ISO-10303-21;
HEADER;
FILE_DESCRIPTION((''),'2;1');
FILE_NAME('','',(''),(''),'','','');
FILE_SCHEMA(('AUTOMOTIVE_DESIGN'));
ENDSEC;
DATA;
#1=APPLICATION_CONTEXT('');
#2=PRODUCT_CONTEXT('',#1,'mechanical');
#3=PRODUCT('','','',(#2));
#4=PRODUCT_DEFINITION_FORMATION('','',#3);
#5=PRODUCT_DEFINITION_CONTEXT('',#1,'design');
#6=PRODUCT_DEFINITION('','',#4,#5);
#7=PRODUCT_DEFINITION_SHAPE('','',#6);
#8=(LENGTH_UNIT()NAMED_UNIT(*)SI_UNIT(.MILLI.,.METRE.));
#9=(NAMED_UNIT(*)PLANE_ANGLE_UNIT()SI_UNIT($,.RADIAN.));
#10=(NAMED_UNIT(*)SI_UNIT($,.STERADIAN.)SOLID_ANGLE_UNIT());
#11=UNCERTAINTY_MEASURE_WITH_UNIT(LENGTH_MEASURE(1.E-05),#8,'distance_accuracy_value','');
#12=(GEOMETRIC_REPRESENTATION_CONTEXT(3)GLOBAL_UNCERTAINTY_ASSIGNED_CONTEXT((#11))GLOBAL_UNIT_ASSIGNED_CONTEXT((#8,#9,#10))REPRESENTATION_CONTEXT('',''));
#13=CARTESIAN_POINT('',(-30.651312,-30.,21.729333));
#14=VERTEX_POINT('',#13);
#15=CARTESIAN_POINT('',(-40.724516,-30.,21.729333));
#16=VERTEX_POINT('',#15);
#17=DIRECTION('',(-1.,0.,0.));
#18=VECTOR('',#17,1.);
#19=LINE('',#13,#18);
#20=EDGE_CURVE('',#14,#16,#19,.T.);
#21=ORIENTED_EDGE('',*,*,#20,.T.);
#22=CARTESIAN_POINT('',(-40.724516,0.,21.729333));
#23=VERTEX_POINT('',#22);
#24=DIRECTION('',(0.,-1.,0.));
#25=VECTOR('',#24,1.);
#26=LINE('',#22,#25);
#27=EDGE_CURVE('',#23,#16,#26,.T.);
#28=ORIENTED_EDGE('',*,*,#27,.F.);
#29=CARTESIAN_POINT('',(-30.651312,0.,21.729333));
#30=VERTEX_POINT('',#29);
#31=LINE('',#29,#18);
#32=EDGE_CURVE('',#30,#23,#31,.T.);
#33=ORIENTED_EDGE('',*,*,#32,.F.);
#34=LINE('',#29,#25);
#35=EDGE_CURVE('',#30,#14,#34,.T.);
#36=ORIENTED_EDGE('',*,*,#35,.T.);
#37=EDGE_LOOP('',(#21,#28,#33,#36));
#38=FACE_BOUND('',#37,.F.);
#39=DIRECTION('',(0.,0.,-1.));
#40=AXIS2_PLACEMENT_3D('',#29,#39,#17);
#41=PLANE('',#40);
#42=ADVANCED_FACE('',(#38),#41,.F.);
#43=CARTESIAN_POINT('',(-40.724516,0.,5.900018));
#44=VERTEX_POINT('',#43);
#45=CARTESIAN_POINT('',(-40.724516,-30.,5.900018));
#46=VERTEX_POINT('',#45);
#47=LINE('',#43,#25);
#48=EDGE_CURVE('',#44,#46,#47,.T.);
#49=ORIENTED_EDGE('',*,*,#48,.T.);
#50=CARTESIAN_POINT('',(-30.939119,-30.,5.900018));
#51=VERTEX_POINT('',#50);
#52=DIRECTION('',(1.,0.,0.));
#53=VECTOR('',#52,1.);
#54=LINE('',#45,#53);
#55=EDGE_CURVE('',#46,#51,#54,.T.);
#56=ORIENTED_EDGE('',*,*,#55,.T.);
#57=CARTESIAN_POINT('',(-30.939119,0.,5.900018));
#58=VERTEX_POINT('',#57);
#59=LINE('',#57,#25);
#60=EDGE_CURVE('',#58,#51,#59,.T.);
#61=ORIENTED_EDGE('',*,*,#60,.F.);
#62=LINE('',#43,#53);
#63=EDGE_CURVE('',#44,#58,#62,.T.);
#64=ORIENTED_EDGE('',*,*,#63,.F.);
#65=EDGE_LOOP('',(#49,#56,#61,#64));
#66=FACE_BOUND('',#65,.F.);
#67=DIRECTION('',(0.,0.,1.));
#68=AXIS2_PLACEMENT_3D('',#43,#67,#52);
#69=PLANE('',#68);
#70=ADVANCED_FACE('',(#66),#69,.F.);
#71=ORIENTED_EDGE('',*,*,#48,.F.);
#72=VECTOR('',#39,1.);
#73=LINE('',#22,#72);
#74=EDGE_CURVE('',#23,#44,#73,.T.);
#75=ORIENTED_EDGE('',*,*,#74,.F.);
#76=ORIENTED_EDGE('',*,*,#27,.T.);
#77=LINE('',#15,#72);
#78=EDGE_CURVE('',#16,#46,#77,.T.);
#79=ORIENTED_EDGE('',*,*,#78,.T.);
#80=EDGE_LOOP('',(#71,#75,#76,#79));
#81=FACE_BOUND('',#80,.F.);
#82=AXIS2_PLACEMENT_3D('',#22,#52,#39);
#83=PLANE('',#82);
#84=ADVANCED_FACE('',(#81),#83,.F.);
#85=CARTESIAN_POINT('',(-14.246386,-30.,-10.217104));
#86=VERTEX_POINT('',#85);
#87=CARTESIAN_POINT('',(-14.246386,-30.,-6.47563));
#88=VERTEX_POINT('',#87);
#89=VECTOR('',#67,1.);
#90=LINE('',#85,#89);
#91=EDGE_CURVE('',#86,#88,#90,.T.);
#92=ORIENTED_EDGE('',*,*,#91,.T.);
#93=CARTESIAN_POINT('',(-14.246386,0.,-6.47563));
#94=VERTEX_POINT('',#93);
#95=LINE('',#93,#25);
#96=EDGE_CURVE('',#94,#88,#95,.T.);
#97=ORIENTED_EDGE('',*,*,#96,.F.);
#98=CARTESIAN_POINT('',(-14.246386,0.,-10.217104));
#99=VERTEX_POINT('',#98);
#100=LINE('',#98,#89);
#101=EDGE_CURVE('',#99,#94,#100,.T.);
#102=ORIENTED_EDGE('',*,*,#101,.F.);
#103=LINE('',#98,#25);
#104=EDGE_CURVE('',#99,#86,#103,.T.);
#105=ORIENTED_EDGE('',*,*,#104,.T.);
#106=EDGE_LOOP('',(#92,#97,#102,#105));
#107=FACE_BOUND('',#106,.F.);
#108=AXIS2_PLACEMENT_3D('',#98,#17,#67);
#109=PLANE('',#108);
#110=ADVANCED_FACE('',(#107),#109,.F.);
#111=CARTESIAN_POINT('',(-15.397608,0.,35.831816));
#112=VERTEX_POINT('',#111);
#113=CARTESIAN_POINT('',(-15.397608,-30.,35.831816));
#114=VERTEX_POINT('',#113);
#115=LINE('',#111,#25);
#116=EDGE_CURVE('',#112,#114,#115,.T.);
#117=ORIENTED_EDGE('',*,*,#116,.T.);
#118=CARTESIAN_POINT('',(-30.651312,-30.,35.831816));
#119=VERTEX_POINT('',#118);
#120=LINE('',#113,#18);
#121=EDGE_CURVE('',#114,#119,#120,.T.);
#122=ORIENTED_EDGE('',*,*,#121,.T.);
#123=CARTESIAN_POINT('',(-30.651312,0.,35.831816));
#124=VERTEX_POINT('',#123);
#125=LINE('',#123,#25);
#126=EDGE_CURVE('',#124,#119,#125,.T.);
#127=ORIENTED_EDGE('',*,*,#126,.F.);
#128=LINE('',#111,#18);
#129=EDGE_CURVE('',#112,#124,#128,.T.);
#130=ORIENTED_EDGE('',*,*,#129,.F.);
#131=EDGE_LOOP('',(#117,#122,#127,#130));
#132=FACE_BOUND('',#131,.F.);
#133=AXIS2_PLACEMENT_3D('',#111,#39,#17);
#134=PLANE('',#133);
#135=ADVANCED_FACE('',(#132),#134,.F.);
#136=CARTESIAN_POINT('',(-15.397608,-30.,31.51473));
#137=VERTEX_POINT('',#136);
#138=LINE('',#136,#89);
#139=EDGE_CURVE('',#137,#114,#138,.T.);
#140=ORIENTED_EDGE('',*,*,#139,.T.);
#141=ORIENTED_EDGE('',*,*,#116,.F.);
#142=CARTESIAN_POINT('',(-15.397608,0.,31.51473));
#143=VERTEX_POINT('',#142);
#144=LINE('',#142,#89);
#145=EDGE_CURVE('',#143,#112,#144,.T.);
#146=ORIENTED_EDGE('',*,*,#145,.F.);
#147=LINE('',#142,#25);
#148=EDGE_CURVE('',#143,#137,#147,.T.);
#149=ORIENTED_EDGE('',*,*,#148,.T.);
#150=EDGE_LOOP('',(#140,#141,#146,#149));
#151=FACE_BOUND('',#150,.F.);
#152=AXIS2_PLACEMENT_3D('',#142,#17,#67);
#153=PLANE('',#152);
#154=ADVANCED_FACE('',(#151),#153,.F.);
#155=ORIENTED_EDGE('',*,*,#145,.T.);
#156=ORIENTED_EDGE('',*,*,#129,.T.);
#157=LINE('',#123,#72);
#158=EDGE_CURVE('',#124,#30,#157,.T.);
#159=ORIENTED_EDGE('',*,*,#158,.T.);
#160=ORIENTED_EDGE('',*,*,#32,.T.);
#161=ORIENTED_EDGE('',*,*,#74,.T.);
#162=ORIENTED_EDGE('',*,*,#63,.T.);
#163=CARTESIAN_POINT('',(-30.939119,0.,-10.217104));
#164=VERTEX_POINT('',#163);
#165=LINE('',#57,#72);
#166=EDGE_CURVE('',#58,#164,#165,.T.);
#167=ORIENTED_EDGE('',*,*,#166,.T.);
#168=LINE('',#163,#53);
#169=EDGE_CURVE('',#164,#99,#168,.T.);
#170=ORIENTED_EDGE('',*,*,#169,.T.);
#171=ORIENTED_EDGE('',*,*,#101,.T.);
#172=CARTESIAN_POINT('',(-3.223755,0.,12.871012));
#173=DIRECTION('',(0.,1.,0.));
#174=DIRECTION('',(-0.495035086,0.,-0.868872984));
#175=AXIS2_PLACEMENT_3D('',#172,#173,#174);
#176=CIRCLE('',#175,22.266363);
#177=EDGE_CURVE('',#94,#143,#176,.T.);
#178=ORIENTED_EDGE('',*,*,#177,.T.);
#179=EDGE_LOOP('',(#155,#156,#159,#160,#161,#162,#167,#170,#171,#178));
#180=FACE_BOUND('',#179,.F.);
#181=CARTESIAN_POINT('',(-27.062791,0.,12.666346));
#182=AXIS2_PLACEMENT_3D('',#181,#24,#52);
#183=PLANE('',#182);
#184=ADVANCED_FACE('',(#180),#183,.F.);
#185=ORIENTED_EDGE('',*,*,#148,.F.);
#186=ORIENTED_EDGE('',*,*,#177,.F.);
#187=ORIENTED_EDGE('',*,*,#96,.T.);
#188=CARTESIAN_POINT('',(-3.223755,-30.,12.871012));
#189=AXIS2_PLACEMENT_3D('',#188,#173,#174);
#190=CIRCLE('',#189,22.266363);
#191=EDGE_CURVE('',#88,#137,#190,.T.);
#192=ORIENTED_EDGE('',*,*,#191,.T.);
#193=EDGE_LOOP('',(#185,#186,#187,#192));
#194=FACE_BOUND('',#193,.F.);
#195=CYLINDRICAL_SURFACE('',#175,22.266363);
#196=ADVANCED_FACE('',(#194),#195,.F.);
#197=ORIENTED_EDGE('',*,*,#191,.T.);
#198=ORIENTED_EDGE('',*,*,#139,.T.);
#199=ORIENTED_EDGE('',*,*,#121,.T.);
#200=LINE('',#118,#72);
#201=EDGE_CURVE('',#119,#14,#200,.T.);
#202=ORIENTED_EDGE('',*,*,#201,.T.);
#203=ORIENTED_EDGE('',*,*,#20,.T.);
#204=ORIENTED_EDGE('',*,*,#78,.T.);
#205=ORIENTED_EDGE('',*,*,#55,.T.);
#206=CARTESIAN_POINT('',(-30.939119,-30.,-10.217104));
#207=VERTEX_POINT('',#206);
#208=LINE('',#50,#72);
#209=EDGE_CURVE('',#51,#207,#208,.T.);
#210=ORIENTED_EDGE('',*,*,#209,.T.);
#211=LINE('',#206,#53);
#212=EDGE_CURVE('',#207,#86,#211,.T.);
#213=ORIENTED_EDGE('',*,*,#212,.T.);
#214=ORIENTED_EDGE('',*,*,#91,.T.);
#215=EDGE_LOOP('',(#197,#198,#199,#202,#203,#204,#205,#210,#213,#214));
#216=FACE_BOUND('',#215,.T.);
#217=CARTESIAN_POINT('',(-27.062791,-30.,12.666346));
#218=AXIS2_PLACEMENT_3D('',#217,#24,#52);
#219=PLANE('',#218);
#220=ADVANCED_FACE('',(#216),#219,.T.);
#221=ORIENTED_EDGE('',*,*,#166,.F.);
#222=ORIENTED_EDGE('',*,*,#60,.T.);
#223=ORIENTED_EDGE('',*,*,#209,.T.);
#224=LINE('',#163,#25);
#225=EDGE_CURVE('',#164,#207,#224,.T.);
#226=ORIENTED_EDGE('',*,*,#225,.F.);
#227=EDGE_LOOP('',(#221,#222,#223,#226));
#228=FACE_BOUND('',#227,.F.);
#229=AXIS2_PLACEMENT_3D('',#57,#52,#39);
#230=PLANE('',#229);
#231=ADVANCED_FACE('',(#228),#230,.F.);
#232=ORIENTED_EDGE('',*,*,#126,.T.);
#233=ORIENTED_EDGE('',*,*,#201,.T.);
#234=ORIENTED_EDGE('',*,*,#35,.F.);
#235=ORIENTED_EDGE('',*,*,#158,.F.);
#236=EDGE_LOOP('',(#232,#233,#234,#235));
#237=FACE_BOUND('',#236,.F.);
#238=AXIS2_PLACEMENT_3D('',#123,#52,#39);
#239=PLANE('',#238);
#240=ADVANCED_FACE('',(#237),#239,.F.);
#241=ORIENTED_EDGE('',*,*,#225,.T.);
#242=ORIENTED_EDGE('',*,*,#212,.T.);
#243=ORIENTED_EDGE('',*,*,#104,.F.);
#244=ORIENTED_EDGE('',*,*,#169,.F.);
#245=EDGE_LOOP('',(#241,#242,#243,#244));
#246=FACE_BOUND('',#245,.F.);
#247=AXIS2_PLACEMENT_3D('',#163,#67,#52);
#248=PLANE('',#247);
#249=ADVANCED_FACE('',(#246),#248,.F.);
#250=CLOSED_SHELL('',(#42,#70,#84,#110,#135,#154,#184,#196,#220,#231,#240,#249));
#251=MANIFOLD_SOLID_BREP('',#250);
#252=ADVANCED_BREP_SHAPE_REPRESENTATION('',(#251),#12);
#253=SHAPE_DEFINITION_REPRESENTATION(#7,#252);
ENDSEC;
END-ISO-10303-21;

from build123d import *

# Parameters (mm, degrees)
F1_DEPTH = 30


with BuildPart() as f1:
    # F0 (on Front) → F1 (new body)
    with BuildSketch(Plane.XZ):
        with BuildLine():
            Line((-30.651312, 35.831816), (-30.651312, 21.729333))
            Line((-30.651312, 21.729333), (-40.724516, 21.729333))
            Line((-40.724516, 21.729333), (-40.724516, 5.900018))
            Line((-40.724516, 5.900018), (-30.939119, 5.900018))
            Line((-30.939119, 5.900018), (-30.939119, -10.217104))
            Line((-30.939119, -10.217104), (-14.246386, -10.217104))
            Line((-14.246386, -10.217104), (-14.246386, -6.47563))
            ThreePointArc((-14.246386, -6.47563), (-25.479902, 12.196584), (-15.397608, 31.51473))
            Line((-15.397608, 31.51473), (-15.397608, 35.831816))
            Line((-15.397608, 35.831816), (-30.651312, 35.831816))
        make_face()
    extrude(amount=F1_DEPTH)


solid = f1.part
